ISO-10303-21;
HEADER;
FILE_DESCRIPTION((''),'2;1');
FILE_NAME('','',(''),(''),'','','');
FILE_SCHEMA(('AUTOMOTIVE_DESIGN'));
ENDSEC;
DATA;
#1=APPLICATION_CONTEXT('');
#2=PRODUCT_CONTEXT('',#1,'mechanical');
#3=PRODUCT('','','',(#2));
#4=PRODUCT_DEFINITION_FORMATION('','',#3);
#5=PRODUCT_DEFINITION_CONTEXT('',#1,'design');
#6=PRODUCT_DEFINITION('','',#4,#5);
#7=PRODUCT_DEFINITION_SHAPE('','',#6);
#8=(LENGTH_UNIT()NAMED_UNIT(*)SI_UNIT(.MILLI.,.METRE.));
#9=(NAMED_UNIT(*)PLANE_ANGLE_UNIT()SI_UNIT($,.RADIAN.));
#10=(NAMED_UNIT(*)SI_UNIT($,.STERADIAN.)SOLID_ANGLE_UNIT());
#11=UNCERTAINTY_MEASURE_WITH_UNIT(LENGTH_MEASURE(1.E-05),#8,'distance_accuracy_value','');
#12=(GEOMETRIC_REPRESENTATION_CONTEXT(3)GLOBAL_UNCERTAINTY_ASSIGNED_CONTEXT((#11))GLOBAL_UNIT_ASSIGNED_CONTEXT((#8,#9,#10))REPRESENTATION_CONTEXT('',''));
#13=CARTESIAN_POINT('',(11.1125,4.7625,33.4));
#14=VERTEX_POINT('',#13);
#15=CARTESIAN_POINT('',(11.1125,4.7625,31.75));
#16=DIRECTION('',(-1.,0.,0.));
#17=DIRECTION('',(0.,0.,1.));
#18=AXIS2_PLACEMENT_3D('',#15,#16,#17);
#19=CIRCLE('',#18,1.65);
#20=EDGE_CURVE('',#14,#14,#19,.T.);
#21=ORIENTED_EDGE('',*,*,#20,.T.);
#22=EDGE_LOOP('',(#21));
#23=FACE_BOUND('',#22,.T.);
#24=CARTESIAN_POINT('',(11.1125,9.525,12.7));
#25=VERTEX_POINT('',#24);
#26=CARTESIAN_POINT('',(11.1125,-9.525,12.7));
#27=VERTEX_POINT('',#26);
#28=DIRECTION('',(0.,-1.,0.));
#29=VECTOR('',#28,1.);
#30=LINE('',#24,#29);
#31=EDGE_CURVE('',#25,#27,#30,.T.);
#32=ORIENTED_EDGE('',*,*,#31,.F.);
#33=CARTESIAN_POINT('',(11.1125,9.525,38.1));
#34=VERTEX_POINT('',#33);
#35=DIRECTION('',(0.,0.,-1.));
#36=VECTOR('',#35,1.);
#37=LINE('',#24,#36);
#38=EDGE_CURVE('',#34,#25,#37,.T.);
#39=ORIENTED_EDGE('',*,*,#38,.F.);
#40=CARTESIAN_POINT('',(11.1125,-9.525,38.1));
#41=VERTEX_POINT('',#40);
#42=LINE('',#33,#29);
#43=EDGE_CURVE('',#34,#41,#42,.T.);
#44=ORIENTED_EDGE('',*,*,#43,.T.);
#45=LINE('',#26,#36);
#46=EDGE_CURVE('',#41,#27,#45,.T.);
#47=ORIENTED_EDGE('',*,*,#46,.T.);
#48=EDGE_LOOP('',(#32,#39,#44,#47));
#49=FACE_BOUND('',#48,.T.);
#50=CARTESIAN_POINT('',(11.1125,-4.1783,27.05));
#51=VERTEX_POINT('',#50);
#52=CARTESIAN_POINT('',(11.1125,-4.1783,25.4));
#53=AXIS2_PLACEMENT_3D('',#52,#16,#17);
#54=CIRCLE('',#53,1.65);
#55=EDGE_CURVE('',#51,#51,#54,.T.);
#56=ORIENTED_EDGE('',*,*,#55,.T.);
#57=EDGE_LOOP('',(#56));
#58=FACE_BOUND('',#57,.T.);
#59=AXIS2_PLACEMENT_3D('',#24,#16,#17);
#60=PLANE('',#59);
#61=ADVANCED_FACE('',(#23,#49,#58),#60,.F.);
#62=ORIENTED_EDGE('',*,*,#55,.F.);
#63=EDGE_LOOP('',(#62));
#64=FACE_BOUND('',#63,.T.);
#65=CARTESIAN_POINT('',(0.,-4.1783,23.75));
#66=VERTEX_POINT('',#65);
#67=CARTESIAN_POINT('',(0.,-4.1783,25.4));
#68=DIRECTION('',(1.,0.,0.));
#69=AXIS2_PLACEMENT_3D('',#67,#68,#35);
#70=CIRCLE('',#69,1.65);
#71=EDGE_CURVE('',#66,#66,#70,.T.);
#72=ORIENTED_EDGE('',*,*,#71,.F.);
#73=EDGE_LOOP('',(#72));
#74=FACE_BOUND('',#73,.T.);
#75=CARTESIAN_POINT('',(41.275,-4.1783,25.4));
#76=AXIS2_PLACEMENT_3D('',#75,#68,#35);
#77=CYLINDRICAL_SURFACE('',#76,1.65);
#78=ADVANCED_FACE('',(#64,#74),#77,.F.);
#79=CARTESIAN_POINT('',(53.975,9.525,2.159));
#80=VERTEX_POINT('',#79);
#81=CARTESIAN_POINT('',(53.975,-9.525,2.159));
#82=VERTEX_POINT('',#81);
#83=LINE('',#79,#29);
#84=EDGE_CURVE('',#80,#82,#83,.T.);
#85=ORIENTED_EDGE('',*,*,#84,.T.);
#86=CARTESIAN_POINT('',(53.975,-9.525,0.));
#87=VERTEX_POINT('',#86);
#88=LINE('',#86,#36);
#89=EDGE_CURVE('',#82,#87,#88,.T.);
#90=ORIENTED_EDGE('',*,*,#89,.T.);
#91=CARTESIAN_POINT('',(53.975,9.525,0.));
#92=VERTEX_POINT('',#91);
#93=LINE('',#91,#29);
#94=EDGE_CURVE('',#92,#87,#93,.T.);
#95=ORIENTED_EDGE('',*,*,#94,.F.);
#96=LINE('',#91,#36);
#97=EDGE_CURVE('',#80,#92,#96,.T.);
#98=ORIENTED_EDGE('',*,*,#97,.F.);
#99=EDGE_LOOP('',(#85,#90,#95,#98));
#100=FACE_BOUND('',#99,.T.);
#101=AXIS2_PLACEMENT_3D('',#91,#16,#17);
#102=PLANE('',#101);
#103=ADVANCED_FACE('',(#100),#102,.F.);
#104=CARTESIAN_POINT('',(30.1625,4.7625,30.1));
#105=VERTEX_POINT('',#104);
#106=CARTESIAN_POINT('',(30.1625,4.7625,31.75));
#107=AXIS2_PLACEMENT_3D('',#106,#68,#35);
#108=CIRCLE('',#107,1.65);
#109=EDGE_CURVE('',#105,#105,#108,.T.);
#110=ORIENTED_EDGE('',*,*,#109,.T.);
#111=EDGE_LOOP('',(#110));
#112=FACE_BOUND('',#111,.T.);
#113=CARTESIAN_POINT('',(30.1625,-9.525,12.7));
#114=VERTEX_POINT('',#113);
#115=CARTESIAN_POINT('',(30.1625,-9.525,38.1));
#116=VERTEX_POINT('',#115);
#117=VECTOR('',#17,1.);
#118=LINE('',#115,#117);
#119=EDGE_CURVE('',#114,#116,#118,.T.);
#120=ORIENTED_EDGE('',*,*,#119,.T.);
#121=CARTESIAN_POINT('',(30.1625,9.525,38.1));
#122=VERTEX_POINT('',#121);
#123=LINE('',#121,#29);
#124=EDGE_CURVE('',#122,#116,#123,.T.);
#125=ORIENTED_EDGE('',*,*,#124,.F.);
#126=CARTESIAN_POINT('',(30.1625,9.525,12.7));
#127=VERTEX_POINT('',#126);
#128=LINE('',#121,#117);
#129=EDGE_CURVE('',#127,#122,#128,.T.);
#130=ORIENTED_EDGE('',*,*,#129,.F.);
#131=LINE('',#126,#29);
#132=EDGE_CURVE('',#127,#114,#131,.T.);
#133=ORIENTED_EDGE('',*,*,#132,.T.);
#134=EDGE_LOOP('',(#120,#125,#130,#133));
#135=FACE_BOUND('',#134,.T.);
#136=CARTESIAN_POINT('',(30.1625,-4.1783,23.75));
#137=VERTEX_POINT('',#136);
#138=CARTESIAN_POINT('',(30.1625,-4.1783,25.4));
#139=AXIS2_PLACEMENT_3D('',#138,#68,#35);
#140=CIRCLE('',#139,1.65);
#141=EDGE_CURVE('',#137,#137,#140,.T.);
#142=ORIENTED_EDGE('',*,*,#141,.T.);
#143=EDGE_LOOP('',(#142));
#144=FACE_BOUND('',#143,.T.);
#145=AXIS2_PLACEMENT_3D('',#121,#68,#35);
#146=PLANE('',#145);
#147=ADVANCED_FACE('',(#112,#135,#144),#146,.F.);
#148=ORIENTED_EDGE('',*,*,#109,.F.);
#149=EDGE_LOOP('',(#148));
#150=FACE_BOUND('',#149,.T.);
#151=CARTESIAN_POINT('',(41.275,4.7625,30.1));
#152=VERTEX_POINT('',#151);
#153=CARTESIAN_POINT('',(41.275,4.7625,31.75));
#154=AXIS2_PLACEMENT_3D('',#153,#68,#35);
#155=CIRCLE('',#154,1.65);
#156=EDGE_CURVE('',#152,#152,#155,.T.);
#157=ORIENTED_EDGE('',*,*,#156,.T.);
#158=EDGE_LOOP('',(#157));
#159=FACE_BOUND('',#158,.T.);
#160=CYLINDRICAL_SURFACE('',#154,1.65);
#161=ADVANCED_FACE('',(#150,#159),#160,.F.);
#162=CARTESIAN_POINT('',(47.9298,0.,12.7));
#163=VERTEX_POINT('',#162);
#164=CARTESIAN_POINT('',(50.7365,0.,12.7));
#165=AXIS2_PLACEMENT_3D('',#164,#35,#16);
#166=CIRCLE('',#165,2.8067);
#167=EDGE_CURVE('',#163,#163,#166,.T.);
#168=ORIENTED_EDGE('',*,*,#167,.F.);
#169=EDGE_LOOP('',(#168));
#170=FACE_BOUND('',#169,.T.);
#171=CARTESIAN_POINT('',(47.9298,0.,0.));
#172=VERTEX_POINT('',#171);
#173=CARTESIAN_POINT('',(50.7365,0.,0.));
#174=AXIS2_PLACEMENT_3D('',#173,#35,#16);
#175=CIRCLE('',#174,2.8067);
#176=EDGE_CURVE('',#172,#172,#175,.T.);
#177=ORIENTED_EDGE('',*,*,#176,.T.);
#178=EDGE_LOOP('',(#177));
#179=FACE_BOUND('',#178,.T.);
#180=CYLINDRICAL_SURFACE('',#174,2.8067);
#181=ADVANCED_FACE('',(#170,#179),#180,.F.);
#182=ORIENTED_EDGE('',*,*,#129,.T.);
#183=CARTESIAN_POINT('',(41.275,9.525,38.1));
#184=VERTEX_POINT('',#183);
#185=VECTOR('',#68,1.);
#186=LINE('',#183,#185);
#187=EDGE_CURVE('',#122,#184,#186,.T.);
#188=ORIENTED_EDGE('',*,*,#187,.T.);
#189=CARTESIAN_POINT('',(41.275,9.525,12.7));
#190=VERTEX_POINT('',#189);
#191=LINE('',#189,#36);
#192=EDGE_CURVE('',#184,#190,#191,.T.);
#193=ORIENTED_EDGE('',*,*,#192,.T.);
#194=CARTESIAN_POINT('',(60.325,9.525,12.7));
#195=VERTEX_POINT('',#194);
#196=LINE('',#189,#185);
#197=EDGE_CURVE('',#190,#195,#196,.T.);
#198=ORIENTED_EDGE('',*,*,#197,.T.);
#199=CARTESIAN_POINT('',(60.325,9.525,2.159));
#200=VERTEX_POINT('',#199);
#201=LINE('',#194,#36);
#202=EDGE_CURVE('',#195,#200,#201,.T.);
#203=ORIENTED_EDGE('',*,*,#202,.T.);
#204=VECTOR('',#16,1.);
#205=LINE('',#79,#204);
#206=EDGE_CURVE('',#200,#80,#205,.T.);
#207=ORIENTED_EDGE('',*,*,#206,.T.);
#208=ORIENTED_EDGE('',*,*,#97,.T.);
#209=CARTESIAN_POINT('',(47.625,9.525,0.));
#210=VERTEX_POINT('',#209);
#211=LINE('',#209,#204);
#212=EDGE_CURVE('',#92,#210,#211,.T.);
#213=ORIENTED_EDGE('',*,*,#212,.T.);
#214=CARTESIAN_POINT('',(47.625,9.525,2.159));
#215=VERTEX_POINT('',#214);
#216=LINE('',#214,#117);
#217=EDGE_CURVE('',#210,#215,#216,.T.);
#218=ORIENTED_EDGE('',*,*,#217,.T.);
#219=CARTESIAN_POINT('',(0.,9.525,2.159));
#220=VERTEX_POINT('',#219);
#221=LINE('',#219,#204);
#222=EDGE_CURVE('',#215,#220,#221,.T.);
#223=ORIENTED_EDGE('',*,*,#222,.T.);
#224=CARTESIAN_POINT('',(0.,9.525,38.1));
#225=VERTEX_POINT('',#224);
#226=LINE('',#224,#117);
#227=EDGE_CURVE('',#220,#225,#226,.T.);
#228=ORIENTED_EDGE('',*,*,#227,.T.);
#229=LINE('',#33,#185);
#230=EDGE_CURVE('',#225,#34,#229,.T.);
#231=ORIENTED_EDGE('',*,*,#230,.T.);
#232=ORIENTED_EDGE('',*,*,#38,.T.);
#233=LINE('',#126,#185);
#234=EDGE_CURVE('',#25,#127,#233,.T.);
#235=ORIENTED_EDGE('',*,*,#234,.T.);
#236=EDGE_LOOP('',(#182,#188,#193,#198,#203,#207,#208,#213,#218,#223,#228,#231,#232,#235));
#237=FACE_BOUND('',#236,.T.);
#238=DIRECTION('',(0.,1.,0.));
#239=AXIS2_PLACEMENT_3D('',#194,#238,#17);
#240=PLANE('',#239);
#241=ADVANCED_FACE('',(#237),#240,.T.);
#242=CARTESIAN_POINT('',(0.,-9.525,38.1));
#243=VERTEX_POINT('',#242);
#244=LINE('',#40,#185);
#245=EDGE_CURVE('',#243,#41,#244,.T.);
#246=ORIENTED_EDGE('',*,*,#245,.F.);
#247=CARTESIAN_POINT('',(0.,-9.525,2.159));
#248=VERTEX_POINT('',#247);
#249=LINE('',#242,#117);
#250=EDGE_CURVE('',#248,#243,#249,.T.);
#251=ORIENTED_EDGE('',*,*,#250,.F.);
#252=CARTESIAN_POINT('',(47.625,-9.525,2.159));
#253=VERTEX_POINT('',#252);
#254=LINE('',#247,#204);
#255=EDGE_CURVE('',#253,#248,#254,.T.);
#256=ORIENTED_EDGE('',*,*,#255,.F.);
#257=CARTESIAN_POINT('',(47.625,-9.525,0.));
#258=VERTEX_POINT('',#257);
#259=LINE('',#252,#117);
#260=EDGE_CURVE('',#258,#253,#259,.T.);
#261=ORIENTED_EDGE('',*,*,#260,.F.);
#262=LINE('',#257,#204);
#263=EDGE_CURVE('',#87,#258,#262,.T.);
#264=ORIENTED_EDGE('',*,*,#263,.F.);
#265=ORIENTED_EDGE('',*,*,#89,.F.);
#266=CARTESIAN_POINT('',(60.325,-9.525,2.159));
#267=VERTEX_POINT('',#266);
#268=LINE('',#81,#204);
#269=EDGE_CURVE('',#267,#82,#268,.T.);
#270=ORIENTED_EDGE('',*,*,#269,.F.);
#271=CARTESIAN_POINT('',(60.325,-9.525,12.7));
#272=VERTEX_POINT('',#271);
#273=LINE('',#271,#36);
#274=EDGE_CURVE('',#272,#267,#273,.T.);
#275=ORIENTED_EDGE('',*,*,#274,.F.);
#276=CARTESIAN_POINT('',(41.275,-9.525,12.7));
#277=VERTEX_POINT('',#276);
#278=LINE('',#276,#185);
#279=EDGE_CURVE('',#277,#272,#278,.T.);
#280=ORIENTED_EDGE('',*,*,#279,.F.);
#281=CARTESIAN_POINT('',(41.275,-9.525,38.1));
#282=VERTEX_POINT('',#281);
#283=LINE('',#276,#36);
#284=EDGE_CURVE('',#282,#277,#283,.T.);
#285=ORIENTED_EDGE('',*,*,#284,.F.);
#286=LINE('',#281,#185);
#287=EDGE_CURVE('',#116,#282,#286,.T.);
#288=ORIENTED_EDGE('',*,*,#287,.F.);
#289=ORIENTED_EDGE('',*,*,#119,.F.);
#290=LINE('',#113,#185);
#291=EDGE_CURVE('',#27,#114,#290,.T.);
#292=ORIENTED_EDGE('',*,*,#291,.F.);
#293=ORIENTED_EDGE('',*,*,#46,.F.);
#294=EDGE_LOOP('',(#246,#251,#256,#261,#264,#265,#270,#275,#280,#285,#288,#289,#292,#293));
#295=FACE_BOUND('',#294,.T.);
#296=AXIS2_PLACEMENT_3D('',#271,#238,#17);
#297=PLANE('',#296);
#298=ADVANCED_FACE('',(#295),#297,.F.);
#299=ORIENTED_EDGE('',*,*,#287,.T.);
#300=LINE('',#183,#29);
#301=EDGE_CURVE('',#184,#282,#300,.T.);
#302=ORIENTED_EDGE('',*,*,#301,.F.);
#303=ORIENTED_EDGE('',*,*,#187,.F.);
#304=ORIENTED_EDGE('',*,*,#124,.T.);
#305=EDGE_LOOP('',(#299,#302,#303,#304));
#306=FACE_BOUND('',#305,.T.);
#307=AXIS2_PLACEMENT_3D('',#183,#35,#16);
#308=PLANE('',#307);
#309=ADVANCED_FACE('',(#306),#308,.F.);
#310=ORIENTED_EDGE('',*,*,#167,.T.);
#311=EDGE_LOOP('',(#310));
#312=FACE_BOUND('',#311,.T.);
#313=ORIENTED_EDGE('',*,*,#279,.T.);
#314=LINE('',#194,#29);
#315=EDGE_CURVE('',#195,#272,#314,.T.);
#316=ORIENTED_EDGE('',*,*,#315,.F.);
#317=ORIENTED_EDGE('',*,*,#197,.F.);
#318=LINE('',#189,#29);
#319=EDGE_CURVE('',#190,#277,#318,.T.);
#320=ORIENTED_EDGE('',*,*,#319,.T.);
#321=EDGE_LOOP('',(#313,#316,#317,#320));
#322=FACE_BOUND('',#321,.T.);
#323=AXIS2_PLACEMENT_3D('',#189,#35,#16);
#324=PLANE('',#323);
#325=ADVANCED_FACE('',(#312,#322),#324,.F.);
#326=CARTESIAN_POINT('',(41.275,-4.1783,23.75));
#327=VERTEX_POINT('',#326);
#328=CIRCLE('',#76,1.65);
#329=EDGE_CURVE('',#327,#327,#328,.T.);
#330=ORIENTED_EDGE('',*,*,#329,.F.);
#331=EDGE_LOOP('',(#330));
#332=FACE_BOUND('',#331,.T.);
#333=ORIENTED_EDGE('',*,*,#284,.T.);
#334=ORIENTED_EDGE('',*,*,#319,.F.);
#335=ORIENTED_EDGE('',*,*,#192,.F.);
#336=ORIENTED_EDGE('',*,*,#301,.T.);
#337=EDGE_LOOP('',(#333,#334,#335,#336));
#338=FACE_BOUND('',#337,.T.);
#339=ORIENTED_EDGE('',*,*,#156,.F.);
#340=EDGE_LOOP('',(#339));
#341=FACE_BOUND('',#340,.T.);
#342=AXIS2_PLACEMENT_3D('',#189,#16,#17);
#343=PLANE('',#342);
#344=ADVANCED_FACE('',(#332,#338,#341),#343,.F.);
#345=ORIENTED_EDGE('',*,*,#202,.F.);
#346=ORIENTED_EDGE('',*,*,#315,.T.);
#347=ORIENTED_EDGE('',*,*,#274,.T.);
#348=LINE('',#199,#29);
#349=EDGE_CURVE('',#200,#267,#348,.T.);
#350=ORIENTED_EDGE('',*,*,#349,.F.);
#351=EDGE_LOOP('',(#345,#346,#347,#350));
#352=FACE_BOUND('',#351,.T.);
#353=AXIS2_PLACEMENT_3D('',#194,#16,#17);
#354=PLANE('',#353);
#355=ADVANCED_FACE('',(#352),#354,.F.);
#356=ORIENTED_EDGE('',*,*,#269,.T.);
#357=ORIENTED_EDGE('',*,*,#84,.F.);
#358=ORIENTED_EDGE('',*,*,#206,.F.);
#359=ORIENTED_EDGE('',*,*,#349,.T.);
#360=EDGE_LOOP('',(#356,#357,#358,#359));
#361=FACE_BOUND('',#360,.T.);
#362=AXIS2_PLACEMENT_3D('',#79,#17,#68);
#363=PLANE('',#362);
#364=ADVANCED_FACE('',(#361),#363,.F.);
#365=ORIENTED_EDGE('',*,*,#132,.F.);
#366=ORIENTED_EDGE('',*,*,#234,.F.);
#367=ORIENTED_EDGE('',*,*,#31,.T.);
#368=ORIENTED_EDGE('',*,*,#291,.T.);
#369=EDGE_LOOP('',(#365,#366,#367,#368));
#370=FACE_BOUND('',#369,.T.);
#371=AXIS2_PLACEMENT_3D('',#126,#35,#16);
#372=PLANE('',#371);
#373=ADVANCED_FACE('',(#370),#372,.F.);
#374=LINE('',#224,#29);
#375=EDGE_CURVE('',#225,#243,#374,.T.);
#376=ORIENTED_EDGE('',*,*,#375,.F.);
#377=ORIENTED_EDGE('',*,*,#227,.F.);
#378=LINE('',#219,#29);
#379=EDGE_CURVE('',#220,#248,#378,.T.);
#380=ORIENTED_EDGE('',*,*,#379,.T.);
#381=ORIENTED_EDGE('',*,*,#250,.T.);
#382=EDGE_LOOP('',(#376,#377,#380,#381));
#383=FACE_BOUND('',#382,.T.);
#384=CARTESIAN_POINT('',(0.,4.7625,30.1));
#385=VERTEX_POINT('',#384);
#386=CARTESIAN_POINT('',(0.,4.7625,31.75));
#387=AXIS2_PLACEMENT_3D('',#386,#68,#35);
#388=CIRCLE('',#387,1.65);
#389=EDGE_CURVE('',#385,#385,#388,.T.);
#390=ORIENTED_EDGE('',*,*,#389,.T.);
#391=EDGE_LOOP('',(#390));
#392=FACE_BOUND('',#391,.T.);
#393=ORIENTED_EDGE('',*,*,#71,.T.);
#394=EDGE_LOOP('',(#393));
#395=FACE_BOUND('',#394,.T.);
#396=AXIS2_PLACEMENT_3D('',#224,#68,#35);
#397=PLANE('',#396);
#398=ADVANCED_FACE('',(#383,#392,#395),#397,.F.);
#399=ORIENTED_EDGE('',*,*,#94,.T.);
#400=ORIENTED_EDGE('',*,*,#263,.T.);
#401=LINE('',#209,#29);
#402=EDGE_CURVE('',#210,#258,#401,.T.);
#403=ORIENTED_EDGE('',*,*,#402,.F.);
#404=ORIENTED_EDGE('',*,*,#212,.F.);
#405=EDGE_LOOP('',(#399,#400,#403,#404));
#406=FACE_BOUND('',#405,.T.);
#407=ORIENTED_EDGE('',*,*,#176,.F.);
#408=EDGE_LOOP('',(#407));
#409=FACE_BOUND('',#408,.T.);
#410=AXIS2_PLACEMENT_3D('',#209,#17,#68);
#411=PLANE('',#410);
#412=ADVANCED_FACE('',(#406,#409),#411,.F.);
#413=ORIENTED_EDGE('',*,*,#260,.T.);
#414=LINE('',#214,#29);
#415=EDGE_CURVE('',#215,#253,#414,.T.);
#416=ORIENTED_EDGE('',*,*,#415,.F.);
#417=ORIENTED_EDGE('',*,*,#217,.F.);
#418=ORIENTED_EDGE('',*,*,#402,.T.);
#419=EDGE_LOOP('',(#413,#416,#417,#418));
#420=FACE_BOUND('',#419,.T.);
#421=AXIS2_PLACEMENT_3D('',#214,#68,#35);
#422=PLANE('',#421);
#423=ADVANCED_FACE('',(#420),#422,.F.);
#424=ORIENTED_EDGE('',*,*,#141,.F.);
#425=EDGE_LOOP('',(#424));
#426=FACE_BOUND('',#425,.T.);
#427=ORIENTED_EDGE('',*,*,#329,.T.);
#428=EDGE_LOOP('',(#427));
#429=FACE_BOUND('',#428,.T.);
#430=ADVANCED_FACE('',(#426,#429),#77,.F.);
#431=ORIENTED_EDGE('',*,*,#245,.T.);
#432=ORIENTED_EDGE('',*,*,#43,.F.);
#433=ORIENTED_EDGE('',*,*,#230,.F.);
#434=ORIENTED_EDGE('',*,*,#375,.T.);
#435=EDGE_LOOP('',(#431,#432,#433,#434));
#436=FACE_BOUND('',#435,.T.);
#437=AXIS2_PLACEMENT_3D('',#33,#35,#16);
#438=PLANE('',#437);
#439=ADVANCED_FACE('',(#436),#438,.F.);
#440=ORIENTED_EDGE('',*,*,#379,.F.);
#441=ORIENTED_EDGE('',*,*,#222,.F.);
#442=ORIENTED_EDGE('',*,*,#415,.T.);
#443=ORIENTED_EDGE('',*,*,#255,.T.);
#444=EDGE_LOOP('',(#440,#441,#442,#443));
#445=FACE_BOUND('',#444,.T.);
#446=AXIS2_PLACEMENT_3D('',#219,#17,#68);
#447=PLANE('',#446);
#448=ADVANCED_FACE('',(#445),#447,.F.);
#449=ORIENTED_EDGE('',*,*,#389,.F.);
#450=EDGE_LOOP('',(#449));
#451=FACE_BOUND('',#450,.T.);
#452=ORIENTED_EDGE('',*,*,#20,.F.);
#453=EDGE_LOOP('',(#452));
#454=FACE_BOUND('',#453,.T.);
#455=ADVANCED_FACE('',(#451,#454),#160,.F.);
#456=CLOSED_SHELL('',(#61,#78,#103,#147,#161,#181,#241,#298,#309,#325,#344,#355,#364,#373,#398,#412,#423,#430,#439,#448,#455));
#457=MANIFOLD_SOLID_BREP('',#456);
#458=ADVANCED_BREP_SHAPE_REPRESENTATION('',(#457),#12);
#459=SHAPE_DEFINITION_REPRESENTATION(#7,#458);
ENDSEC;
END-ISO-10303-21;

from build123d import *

# Parameters (mm, degrees)
EXTRUDE1_DEPTH         = 9.525
M4X0_7_TAPPED_HOLE1_D  = 3.3
F_10_CLEARANCE_HOLE1_D = 5.6134


with BuildPart() as part:
    # Sketch1 → Extrude1 (new, symmetric)
    with BuildSketch(Plane(origin=(0, 0, 0), x_dir=(1, 0, 0), z_dir=(0, 1, 0))):
        Polygon((47.625, 0), (53.975, 0), (53.975, -2.159), (60.325, -2.159), (60.325, -12.7), (41.275, -12.7), (41.275, -38.1), (30.1625, -38.1), (30.1625, -12.7), (11.1125, -12.7), (11.1125, -38.1), (0, -38.1), (0, -2.159), (47.625, -2.159), align=None)
    extrude(amount=EXTRUDE1_DEPTH, both=True)

    # M4x0.7 Tapped Hole1 (through all)
    with Locations(Plane(origin=(41.275, 0, 0), x_dir=(0, 0, -1), z_dir=(1, 0, 0))):
        with Locations((-31.75, 4.7625), (-25.4, -4.1783)):
            Hole(M4X0_7_TAPPED_HOLE1_D / 2)

    # #10 Clearance Hole1 (through all)
    with Locations(Plane(origin=(0, 0, 0), x_dir=(-1, 0, 0), z_dir=(0, 0, -1))):
        with Locations((-50.7365, 0)):
            Hole(F_10_CLEARANCE_HOLE1_D / 2)


solid = part.part
